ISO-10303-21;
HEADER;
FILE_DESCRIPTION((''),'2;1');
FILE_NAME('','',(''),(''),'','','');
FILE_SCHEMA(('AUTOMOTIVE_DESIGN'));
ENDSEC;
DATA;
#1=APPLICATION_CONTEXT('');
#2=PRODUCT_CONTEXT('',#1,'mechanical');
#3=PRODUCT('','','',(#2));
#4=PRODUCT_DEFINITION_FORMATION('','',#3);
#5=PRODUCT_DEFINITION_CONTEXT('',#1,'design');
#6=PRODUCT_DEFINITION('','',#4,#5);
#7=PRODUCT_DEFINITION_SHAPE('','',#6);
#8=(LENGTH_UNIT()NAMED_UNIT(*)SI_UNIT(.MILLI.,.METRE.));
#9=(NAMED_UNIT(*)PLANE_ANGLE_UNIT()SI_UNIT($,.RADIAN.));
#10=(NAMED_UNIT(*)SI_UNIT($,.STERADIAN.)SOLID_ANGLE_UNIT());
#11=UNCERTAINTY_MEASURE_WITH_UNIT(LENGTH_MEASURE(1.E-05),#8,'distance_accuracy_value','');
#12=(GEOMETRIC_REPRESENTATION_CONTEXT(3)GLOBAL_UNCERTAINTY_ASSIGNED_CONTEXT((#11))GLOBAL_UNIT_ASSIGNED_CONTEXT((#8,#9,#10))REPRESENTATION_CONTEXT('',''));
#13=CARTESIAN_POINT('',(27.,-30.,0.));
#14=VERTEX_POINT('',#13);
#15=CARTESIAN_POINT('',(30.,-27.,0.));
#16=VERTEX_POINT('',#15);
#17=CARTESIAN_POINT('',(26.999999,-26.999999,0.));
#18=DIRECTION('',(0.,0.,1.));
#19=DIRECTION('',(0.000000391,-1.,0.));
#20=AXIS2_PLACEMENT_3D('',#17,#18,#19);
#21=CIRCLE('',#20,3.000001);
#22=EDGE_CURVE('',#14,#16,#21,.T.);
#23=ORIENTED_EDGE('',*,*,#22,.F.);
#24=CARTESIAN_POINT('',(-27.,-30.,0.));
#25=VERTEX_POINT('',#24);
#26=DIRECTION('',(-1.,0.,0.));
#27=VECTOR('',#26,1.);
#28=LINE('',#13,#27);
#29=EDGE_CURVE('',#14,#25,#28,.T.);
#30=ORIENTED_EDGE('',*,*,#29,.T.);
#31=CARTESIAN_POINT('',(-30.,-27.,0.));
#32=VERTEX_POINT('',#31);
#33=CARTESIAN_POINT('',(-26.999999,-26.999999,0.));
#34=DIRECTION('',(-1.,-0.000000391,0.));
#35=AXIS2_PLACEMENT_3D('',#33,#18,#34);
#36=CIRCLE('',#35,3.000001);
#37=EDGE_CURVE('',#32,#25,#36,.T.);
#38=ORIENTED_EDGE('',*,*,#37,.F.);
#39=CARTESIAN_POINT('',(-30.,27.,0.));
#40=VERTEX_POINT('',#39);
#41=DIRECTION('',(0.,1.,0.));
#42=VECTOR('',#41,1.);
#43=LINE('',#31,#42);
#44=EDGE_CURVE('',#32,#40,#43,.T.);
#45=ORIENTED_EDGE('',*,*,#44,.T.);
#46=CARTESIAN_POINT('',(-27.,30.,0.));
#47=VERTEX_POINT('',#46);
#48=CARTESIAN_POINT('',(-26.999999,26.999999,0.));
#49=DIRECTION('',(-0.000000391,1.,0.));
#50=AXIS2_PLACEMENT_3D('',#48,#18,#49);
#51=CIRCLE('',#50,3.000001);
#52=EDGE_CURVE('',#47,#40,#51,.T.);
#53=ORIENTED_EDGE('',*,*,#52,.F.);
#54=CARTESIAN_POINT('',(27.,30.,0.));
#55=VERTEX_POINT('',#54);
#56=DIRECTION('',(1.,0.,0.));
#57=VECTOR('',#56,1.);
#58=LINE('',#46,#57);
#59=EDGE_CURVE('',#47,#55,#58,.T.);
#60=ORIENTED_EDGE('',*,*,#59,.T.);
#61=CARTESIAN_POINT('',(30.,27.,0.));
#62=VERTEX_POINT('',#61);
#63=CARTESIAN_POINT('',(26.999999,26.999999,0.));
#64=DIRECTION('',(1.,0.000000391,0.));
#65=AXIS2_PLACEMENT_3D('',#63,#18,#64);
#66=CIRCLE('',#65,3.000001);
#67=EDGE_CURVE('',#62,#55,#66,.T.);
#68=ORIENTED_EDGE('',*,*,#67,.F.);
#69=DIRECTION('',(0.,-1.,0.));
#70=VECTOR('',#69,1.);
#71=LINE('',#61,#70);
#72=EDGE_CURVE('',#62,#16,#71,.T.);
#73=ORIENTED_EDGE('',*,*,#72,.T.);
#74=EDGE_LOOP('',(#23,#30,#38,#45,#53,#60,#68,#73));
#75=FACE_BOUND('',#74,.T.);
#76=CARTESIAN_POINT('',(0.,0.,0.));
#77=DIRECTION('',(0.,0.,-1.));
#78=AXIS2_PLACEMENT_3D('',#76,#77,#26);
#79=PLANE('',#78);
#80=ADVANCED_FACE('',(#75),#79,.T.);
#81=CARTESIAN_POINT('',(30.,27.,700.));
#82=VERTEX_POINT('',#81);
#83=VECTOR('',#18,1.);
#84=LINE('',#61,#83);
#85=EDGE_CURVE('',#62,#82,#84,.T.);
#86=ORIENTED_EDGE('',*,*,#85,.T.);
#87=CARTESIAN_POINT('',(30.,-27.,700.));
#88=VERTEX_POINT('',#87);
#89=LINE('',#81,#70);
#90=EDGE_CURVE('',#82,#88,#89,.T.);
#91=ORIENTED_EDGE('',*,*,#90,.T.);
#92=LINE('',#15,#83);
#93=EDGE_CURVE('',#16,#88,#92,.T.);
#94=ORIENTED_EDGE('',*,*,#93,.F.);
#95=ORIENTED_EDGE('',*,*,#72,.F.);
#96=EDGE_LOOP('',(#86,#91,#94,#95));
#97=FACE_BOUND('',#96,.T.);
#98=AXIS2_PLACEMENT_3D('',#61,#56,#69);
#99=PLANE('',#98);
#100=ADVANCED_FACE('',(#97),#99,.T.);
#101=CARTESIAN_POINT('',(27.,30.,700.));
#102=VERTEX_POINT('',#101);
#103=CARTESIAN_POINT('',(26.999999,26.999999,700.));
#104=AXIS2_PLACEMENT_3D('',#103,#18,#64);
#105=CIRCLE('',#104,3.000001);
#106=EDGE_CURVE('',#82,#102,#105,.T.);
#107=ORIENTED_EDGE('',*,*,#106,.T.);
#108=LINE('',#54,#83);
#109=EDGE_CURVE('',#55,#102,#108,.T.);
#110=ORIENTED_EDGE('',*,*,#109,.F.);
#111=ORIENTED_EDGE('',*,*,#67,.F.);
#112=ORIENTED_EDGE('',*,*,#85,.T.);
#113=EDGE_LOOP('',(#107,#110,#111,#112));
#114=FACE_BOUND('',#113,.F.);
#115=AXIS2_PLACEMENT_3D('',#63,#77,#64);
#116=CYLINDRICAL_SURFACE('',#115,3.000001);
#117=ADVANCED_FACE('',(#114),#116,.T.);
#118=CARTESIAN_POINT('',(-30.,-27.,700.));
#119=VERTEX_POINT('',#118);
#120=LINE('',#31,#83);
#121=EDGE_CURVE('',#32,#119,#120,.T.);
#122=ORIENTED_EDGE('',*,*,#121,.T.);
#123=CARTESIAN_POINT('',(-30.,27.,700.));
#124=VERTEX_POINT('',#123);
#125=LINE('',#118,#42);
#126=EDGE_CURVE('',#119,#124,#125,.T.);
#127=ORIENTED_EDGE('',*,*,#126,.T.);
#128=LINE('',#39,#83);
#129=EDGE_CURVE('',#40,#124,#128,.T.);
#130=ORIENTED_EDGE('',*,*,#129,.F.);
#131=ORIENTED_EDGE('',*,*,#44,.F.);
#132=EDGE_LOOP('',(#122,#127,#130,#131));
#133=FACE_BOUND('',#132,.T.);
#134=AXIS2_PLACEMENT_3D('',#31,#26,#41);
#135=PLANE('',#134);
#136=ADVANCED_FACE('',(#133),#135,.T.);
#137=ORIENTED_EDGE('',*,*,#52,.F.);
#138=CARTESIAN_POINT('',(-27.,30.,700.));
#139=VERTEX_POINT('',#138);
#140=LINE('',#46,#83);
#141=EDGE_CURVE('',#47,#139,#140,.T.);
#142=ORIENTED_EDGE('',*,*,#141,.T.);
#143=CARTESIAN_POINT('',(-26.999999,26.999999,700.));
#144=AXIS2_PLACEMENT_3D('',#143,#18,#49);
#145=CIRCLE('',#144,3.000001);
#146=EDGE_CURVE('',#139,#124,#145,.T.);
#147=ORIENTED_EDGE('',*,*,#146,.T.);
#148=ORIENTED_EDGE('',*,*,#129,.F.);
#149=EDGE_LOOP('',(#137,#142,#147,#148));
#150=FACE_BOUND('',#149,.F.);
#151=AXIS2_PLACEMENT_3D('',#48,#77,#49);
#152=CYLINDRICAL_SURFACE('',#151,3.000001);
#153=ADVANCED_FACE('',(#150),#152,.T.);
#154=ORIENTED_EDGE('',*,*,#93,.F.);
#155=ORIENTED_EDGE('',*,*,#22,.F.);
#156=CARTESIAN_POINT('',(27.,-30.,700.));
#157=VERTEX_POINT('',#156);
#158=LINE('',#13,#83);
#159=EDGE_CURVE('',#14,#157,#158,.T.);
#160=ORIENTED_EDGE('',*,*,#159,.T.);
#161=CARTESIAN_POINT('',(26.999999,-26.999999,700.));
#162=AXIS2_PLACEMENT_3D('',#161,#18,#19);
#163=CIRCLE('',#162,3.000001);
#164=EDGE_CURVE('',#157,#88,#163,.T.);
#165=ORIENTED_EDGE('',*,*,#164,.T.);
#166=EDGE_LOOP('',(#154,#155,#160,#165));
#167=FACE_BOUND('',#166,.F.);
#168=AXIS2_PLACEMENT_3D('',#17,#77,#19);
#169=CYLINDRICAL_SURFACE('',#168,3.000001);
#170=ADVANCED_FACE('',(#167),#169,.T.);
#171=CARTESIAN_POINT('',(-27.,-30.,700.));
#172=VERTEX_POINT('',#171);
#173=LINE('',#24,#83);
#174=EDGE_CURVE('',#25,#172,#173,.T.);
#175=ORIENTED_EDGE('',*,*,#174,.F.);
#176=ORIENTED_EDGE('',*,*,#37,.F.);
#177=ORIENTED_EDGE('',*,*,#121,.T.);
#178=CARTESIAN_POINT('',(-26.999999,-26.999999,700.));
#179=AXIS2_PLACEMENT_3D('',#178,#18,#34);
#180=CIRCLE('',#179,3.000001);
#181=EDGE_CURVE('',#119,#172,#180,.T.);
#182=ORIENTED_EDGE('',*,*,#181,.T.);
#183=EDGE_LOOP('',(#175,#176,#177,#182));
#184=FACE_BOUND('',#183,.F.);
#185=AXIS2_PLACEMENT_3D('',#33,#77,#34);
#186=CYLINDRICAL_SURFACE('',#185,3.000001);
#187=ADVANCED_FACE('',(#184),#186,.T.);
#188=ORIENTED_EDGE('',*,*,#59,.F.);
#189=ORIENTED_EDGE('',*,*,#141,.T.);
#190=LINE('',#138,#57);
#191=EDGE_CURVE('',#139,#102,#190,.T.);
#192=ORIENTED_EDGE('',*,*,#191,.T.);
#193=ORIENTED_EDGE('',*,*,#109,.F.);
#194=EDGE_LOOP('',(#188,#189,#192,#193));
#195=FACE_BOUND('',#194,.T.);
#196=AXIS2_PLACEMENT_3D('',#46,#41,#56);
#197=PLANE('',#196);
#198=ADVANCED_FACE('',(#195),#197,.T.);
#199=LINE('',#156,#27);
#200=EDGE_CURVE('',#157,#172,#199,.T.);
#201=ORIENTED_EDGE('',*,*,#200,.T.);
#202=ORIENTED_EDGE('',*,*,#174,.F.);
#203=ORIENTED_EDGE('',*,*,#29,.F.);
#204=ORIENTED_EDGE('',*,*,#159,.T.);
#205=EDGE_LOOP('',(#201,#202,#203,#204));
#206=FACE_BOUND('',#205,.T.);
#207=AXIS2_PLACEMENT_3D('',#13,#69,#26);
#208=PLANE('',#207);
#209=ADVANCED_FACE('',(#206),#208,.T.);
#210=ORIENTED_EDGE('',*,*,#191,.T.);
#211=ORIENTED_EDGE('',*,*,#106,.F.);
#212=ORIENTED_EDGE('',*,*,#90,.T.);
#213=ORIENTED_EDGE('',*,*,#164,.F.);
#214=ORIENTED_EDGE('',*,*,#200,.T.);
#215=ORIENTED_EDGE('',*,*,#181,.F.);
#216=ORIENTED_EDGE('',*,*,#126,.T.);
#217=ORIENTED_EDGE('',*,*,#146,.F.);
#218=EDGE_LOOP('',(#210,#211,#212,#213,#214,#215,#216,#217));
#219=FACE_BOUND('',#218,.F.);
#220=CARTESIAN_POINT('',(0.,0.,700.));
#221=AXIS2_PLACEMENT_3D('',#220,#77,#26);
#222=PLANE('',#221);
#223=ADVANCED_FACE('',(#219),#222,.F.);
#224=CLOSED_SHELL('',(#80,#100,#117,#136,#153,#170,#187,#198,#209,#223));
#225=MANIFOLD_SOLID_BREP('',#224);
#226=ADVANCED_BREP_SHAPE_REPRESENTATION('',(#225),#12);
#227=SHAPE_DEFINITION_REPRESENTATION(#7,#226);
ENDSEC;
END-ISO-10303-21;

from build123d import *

# Parameters (mm, degrees)
PAD_DEPTH = 700


with BuildPart() as part:
    # Sketch → Pad (new body)
    with BuildSketch(Plane.XY):
        with BuildLine():
            Line((-27, 30), (27, 30))
            ThreePointArc((30, 27), (29.12132, 29.12132), (27, 30))
            Line((30, 27), (30, -27))
            ThreePointArc((27, -30), (29.12132, -29.12132), (30, -27))
            Line((27, -30), (-27, -30))
            ThreePointArc((-30, -27), (-29.12132, -29.12132), (-27, -30))
            Line((-30, -27), (-30, 27))
            ThreePointArc((-27, 30), (-29.12132, 29.12132), (-30, 27))
        make_face()
    extrude(amount=PAD_DEPTH)


solid = part.part
